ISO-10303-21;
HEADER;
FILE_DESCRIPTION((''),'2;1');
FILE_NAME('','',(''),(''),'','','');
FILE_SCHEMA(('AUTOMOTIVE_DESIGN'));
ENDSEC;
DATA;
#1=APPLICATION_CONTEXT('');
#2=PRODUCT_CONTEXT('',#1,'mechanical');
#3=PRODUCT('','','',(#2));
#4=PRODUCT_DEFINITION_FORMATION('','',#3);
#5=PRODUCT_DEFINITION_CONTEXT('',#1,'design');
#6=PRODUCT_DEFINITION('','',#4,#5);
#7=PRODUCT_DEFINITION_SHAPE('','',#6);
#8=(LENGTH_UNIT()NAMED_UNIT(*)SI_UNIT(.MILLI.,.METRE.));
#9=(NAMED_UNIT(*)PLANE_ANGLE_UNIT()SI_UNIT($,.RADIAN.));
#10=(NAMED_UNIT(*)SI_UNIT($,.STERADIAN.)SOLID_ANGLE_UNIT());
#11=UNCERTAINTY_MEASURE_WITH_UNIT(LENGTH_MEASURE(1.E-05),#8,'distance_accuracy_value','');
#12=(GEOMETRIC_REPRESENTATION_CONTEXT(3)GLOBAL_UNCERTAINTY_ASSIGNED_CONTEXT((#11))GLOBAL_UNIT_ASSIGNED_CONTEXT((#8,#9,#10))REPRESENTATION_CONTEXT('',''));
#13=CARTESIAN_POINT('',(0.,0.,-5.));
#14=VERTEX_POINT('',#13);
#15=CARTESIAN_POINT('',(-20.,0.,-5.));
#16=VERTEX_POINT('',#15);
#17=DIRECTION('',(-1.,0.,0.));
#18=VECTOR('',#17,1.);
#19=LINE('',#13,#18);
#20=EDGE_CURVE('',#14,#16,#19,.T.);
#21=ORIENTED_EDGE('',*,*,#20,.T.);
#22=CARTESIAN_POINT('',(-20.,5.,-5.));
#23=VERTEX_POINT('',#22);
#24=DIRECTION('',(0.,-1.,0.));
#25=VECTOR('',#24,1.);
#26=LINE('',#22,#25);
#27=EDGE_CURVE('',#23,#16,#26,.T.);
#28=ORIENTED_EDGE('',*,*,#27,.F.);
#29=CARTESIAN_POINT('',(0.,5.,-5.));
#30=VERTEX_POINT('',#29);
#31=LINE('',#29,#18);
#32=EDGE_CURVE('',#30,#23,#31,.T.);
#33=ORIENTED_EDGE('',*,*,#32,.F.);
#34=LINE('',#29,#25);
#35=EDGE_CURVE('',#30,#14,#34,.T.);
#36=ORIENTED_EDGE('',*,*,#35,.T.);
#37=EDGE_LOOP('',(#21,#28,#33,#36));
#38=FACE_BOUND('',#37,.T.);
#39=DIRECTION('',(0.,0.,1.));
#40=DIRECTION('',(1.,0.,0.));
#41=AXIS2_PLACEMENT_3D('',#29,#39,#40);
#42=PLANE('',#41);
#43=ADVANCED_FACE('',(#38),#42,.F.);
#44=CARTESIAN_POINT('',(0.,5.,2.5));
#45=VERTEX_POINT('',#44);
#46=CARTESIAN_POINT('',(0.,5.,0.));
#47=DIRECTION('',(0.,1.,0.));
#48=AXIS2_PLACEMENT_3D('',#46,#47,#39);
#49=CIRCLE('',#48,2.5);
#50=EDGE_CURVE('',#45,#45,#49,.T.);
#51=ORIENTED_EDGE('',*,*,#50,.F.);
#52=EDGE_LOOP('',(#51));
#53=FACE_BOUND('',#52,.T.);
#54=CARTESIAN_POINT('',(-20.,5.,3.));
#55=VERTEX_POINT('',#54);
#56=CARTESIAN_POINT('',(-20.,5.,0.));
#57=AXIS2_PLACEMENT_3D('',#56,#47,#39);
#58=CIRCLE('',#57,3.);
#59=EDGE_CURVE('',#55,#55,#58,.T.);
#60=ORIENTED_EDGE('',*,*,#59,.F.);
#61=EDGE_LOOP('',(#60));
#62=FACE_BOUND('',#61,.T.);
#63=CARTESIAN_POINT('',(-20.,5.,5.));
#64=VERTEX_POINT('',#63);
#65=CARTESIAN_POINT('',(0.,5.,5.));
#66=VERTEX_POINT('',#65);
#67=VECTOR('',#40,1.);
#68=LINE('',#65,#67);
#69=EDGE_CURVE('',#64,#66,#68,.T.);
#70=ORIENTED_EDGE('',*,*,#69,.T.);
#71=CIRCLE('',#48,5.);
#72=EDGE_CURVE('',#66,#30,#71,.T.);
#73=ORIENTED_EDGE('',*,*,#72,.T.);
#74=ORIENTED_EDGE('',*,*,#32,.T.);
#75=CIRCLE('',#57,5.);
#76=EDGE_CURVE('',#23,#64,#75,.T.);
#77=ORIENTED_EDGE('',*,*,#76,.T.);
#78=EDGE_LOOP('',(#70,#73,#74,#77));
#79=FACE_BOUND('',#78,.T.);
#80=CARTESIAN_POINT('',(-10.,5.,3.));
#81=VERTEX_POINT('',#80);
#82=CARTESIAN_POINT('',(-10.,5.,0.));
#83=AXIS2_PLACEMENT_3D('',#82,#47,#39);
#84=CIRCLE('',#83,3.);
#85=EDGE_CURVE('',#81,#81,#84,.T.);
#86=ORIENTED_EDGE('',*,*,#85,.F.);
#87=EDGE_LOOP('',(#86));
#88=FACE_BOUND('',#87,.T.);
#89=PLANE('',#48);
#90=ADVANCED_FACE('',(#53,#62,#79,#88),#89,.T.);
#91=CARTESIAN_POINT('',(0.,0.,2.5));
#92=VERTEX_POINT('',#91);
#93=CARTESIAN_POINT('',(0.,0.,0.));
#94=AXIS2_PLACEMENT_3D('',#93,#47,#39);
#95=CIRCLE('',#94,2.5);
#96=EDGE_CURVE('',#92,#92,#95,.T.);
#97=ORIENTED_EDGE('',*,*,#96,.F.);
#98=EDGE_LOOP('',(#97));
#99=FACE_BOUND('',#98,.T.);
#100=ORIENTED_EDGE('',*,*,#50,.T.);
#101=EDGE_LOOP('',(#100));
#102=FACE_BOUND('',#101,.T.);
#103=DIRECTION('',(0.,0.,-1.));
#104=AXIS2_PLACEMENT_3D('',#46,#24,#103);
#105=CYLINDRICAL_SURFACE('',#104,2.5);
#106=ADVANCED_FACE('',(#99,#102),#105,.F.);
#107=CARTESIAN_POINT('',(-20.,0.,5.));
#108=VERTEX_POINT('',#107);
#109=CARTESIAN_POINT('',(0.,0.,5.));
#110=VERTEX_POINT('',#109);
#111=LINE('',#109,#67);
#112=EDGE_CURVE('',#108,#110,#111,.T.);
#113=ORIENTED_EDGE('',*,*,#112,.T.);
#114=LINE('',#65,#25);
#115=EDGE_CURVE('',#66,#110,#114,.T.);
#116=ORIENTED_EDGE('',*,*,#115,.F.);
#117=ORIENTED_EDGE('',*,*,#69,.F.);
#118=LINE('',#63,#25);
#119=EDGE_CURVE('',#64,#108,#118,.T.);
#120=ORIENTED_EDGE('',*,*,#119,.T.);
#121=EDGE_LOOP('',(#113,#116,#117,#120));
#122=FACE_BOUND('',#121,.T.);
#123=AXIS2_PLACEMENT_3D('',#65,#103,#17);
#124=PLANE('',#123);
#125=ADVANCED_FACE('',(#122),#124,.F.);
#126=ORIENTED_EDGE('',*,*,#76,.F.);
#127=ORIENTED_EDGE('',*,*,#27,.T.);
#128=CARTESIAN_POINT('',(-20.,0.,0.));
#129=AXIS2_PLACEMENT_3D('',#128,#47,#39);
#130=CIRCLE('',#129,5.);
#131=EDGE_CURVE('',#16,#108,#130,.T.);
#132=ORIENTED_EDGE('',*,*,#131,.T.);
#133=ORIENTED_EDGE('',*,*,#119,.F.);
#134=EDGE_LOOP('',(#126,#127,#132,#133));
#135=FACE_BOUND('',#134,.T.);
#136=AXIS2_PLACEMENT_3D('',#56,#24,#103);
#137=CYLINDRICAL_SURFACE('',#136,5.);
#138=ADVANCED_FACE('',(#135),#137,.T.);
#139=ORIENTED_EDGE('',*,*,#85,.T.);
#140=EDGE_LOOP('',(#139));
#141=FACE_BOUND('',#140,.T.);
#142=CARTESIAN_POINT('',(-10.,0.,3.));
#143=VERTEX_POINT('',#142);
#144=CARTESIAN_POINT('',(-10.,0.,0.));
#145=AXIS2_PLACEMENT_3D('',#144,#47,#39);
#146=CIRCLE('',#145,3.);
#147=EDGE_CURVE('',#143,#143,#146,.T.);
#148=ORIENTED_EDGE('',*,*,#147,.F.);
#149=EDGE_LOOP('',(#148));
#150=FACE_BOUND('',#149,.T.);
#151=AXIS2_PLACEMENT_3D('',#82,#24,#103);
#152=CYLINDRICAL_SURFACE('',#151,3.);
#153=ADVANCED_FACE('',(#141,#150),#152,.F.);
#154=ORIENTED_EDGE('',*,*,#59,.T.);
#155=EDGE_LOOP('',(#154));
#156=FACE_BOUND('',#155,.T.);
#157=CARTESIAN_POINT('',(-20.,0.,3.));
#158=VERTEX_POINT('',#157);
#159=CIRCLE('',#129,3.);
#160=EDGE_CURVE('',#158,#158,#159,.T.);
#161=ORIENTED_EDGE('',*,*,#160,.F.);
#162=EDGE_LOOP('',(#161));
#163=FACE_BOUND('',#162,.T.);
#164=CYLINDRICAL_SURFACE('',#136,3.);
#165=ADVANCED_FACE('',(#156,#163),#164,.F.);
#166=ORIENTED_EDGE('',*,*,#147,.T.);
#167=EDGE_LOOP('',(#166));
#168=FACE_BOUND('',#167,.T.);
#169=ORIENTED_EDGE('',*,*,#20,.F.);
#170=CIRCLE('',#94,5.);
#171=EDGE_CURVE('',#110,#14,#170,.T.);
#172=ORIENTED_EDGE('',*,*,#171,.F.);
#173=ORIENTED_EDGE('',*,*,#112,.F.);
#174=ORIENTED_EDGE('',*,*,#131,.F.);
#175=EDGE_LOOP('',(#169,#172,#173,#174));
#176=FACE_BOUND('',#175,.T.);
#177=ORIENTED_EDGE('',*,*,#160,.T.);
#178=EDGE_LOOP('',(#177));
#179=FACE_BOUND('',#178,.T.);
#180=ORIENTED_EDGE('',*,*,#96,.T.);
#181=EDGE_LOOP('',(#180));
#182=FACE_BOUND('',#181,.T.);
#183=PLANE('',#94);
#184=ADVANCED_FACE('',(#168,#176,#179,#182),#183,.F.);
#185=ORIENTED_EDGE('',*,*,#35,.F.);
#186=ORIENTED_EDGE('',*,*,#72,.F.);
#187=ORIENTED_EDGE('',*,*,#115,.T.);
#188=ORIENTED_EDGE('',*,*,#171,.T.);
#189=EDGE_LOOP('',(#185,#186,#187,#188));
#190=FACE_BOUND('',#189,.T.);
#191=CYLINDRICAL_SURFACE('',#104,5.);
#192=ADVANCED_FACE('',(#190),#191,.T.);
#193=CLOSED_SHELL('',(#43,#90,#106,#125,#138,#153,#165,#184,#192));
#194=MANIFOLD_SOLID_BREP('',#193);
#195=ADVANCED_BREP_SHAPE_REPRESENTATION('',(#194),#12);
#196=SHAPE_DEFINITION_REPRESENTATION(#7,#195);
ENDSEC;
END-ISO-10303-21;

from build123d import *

# Parameters (mm, degrees)
SKETCH1_R           = 2.5
SKETCH1_R_2         = 3
BOSS_EXTRUDE1_DEPTH = 5


with BuildPart() as part:
    # Sketch1 → Boss-Extrude1 (new body)
    with BuildSketch(Plane(origin=(0, 0, 0), x_dir=(1, 0, 0), z_dir=(0, 1, 0))):
        with BuildLine():
            Line((0, -5), (-20, -5))
            ThreePointArc((-20, -5), (-25, 0), (-20, 5))
            Line((-20, 5), (0, 5))
            ThreePointArc((0, 5), (5, 0), (0, -5))
        make_face()
        with Locations(Location((0, 0, 0), (0, 0, 270))):
            Circle(SKETCH1_R, mode=Mode.SUBTRACT)
        with Locations(Location((-20, 0, 0), (0, 0, 270))):
            Circle(SKETCH1_R_2, mode=Mode.SUBTRACT)
        with Locations(Location((-10, 0, 0), (0, 0, 270))):
            Circle(SKETCH1_R_2, mode=Mode.SUBTRACT)
    extrude(amount=BOSS_EXTRUDE1_DEPTH)


solid = part.part
